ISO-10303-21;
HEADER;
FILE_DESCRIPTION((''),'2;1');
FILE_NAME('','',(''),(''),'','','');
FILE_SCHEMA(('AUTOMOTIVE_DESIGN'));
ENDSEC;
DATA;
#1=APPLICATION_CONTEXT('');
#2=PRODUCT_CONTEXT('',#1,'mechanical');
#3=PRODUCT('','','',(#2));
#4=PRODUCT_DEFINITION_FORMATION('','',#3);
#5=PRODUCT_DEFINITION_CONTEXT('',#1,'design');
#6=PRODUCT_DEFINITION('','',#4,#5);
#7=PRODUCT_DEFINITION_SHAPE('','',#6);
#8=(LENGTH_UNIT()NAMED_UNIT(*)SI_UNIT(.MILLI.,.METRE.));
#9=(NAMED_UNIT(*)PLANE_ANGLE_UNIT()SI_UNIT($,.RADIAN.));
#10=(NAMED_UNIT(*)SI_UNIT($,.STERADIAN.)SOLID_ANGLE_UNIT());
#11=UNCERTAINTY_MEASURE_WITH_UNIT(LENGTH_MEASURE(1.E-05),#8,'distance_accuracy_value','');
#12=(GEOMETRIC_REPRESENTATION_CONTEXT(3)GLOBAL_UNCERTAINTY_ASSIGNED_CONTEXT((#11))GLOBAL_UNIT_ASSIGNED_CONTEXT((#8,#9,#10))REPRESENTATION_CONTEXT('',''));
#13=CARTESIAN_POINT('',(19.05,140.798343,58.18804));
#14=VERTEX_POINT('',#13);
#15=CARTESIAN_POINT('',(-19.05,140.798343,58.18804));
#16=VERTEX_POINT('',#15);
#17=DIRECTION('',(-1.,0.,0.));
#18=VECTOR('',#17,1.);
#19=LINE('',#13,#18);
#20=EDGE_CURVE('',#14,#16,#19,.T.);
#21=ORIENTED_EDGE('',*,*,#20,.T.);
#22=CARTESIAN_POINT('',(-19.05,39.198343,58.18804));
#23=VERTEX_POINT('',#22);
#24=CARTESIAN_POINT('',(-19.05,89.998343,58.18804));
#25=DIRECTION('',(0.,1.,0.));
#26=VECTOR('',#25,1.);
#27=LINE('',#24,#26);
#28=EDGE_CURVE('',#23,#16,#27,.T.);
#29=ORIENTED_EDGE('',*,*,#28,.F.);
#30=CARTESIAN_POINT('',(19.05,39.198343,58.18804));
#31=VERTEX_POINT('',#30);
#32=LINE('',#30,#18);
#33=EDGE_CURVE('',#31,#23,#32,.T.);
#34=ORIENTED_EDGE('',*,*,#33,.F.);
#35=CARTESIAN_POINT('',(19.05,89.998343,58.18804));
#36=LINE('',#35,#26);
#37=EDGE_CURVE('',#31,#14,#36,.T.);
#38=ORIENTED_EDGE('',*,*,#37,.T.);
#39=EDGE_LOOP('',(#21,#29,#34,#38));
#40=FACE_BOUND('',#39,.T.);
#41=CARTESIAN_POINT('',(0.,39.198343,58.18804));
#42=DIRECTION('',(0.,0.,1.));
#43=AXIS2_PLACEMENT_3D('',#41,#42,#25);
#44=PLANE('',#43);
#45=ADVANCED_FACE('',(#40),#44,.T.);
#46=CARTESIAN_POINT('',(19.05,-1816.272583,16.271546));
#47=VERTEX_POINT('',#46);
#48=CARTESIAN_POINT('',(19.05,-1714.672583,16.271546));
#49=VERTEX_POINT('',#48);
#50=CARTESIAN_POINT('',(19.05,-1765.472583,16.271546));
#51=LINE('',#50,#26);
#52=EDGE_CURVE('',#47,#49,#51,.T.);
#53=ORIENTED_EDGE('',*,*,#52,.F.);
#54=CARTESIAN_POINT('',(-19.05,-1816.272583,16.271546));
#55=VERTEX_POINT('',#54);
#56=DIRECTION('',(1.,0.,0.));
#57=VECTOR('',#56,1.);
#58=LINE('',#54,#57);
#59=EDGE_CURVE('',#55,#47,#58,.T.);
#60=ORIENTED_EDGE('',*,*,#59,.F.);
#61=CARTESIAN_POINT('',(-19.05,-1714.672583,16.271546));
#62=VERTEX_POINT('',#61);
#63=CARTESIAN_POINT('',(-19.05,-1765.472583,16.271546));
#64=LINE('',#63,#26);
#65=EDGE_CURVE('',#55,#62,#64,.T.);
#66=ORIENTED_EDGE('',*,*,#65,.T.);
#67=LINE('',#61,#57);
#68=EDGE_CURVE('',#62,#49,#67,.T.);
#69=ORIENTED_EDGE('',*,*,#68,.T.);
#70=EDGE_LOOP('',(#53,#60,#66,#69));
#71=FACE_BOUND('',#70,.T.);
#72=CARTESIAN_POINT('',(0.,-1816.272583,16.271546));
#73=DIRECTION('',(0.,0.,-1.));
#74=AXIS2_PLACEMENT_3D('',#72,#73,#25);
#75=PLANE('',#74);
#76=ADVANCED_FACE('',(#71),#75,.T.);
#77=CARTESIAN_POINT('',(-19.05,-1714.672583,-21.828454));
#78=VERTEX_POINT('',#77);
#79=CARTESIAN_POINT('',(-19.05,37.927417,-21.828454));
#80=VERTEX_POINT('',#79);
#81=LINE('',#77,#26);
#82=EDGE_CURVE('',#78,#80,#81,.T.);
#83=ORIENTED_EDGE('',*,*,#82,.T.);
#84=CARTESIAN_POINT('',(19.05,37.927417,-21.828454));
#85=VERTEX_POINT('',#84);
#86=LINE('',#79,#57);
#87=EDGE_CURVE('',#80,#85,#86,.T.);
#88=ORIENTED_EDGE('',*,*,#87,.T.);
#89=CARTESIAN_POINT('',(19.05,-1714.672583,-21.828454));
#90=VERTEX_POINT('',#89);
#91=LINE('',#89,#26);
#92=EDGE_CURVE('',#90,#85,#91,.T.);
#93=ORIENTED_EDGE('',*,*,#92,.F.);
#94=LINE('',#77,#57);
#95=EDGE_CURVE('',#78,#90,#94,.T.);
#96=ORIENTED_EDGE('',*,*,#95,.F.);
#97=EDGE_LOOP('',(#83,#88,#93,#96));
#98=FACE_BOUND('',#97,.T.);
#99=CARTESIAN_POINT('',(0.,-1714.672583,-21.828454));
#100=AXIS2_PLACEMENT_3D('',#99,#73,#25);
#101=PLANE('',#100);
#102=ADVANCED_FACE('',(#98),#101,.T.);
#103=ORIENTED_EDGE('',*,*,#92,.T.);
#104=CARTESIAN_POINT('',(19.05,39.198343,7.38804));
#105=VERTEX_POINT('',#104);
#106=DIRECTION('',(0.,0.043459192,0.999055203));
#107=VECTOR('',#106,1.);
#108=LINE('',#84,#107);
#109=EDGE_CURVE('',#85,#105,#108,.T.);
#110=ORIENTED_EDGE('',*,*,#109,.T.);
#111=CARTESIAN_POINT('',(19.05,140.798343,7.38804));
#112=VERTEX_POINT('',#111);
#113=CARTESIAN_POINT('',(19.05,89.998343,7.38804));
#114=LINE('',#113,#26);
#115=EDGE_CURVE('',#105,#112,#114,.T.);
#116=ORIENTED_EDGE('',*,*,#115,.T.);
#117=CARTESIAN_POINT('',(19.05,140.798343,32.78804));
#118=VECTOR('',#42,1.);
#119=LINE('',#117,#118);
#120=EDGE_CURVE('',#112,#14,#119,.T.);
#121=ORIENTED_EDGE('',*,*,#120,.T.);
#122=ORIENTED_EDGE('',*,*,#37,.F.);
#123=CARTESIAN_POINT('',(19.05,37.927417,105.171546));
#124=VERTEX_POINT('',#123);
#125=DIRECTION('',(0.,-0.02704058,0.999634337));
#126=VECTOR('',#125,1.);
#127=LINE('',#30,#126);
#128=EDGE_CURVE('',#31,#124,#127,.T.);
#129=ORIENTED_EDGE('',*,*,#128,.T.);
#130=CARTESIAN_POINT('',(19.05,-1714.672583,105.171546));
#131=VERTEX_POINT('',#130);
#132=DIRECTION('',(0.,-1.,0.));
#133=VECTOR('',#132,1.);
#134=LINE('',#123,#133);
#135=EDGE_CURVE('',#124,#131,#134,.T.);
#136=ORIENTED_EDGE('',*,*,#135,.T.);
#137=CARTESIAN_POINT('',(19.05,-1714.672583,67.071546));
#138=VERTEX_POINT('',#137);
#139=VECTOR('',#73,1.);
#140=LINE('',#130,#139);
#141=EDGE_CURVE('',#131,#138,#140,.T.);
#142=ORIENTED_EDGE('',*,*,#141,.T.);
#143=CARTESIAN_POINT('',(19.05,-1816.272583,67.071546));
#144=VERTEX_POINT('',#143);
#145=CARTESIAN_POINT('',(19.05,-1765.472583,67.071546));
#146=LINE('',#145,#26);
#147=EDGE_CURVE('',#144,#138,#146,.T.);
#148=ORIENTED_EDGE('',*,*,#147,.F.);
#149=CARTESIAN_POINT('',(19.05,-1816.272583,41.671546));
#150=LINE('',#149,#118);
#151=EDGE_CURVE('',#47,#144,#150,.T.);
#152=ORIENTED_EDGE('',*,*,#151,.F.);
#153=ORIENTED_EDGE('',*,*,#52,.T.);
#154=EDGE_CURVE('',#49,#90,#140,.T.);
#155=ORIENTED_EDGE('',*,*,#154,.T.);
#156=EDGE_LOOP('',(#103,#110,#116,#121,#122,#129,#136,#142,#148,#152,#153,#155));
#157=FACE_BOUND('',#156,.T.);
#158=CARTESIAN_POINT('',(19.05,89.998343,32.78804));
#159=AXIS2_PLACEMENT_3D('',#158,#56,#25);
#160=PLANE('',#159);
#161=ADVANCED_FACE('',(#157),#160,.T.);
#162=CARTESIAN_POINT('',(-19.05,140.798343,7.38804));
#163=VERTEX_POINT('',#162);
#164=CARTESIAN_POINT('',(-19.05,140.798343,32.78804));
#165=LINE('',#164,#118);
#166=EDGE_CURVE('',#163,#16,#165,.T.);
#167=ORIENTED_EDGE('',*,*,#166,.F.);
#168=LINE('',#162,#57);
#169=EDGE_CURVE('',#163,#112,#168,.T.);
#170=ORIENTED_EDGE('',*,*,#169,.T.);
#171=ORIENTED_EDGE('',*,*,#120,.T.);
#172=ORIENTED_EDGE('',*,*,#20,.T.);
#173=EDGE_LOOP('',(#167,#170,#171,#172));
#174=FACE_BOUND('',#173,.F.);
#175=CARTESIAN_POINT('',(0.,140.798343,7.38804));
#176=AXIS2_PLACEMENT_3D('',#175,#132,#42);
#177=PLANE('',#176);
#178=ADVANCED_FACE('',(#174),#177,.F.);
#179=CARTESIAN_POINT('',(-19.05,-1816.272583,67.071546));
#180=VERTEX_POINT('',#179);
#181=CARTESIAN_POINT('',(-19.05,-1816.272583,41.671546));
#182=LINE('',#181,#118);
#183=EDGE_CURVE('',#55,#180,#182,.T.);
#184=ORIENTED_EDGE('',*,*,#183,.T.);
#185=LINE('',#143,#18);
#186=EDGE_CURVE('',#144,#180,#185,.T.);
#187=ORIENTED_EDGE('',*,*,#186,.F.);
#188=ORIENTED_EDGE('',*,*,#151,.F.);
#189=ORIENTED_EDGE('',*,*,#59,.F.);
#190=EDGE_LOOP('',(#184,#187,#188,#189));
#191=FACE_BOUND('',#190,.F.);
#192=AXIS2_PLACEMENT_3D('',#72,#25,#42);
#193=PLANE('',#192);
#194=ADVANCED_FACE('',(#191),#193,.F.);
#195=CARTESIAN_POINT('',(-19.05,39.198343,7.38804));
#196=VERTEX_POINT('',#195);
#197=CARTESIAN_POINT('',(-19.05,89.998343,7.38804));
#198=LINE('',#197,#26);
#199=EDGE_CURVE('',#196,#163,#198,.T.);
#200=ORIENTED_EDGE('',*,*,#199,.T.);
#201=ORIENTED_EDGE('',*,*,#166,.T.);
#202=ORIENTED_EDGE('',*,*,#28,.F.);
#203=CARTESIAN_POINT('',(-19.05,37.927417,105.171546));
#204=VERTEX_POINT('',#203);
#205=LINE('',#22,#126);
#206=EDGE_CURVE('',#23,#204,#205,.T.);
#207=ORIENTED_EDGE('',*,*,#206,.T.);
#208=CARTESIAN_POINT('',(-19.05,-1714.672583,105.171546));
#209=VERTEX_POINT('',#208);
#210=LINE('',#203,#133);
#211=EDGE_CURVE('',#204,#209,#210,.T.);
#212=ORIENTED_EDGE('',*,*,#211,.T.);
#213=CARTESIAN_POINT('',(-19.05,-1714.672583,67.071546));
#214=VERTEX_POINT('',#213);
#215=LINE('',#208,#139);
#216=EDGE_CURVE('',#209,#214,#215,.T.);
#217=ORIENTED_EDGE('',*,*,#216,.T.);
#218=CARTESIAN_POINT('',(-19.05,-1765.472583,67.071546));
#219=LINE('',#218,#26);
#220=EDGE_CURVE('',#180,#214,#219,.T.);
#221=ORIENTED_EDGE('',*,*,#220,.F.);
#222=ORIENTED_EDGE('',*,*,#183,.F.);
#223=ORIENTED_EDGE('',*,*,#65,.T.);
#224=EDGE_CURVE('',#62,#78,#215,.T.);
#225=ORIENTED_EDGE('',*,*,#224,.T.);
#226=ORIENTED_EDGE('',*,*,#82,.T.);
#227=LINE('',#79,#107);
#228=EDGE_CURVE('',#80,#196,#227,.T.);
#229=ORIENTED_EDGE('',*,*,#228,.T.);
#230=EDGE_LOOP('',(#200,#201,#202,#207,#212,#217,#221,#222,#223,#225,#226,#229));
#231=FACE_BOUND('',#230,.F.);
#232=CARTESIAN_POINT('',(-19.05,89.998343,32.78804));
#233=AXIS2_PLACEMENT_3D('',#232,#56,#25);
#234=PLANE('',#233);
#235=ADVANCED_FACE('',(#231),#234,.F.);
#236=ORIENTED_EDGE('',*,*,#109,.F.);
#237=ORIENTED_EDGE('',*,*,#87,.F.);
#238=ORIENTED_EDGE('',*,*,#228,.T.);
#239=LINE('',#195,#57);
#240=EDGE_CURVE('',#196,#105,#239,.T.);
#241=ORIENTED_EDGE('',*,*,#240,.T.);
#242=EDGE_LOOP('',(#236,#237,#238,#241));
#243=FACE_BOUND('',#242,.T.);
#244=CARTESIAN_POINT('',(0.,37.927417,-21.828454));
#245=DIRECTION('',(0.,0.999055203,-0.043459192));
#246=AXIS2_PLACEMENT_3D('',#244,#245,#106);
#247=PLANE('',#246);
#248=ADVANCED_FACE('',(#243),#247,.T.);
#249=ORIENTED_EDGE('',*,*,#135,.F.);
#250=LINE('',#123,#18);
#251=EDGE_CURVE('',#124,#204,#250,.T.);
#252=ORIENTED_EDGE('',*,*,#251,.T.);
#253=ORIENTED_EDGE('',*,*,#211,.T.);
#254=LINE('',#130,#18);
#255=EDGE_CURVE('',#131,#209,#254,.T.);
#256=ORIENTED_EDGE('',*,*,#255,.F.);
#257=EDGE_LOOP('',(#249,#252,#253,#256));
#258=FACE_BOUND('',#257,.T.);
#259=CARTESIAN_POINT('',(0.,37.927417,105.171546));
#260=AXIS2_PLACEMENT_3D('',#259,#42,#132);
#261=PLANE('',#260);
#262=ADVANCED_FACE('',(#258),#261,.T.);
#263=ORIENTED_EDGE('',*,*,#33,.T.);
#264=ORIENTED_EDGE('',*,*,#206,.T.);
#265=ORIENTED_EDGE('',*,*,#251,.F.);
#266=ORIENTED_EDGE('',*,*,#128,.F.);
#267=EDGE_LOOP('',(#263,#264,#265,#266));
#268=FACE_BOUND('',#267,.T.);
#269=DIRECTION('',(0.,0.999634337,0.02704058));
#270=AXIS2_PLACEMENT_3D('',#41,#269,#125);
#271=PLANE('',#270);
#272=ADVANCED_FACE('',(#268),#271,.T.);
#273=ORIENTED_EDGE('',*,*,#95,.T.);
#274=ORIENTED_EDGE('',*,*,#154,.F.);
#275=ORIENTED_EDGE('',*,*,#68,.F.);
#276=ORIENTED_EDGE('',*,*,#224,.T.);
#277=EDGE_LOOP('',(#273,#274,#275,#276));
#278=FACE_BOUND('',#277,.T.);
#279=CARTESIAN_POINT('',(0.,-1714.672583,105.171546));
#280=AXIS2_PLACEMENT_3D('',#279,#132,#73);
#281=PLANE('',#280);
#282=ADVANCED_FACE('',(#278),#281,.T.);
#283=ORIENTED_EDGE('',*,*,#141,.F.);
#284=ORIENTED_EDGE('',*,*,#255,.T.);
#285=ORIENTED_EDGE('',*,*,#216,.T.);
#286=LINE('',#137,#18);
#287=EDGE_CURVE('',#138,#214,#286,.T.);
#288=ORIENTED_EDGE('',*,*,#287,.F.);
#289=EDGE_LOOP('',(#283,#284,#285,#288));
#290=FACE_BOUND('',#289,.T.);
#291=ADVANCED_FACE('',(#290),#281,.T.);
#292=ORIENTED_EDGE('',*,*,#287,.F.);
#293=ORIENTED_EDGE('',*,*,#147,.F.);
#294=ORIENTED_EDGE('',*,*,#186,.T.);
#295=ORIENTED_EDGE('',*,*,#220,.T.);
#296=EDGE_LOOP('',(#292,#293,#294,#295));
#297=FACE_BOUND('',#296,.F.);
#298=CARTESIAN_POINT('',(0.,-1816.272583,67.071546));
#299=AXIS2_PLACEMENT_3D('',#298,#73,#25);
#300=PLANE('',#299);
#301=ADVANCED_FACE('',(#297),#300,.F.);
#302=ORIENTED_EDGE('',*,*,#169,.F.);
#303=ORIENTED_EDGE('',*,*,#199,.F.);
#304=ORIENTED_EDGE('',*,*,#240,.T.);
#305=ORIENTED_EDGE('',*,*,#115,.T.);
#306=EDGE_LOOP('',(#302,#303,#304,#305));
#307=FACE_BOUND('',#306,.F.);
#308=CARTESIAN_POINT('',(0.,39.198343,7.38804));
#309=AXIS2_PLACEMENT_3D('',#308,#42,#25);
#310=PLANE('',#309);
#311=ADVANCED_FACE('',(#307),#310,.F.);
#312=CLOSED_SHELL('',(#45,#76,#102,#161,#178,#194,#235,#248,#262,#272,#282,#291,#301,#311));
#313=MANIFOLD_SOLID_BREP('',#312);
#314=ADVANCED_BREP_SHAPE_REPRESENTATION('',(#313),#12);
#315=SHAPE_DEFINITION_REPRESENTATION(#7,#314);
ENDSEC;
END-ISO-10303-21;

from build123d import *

# Parameters (mm, degrees)
F1_DEPTH = 19.05
F0_W     = 101.6
F0_H     = 50.8
F2_DEPTH = 19.05


with BuildPart() as f1:
    # F0 (on Right) → F1 (new body, symmetric)
    with BuildSketch(Plane.YZ):
        Polygon((-1714.672583, 105.171546), (-1714.672583, 67.071546), (-1714.672583, 16.271546), (-1714.672583, -21.828454), (37.927417, -21.828454), (39.198343, 7.38804), (39.198343, 58.18804), (37.927417, 105.171546), align=None)
    extrude(amount=F1_DEPTH, both=True)

    # F0 (on Right) → F2 (join, symmetric)
    with BuildSketch(Plane.YZ):
        with Locations((89.998343, 32.78804)):
            Rectangle(F0_W, F0_H)
        with Locations((-1765.472583, 41.671546)):
            Rectangle(F0_W, F0_H)
    extrude(amount=F2_DEPTH, both=True)


solid = f1.part
